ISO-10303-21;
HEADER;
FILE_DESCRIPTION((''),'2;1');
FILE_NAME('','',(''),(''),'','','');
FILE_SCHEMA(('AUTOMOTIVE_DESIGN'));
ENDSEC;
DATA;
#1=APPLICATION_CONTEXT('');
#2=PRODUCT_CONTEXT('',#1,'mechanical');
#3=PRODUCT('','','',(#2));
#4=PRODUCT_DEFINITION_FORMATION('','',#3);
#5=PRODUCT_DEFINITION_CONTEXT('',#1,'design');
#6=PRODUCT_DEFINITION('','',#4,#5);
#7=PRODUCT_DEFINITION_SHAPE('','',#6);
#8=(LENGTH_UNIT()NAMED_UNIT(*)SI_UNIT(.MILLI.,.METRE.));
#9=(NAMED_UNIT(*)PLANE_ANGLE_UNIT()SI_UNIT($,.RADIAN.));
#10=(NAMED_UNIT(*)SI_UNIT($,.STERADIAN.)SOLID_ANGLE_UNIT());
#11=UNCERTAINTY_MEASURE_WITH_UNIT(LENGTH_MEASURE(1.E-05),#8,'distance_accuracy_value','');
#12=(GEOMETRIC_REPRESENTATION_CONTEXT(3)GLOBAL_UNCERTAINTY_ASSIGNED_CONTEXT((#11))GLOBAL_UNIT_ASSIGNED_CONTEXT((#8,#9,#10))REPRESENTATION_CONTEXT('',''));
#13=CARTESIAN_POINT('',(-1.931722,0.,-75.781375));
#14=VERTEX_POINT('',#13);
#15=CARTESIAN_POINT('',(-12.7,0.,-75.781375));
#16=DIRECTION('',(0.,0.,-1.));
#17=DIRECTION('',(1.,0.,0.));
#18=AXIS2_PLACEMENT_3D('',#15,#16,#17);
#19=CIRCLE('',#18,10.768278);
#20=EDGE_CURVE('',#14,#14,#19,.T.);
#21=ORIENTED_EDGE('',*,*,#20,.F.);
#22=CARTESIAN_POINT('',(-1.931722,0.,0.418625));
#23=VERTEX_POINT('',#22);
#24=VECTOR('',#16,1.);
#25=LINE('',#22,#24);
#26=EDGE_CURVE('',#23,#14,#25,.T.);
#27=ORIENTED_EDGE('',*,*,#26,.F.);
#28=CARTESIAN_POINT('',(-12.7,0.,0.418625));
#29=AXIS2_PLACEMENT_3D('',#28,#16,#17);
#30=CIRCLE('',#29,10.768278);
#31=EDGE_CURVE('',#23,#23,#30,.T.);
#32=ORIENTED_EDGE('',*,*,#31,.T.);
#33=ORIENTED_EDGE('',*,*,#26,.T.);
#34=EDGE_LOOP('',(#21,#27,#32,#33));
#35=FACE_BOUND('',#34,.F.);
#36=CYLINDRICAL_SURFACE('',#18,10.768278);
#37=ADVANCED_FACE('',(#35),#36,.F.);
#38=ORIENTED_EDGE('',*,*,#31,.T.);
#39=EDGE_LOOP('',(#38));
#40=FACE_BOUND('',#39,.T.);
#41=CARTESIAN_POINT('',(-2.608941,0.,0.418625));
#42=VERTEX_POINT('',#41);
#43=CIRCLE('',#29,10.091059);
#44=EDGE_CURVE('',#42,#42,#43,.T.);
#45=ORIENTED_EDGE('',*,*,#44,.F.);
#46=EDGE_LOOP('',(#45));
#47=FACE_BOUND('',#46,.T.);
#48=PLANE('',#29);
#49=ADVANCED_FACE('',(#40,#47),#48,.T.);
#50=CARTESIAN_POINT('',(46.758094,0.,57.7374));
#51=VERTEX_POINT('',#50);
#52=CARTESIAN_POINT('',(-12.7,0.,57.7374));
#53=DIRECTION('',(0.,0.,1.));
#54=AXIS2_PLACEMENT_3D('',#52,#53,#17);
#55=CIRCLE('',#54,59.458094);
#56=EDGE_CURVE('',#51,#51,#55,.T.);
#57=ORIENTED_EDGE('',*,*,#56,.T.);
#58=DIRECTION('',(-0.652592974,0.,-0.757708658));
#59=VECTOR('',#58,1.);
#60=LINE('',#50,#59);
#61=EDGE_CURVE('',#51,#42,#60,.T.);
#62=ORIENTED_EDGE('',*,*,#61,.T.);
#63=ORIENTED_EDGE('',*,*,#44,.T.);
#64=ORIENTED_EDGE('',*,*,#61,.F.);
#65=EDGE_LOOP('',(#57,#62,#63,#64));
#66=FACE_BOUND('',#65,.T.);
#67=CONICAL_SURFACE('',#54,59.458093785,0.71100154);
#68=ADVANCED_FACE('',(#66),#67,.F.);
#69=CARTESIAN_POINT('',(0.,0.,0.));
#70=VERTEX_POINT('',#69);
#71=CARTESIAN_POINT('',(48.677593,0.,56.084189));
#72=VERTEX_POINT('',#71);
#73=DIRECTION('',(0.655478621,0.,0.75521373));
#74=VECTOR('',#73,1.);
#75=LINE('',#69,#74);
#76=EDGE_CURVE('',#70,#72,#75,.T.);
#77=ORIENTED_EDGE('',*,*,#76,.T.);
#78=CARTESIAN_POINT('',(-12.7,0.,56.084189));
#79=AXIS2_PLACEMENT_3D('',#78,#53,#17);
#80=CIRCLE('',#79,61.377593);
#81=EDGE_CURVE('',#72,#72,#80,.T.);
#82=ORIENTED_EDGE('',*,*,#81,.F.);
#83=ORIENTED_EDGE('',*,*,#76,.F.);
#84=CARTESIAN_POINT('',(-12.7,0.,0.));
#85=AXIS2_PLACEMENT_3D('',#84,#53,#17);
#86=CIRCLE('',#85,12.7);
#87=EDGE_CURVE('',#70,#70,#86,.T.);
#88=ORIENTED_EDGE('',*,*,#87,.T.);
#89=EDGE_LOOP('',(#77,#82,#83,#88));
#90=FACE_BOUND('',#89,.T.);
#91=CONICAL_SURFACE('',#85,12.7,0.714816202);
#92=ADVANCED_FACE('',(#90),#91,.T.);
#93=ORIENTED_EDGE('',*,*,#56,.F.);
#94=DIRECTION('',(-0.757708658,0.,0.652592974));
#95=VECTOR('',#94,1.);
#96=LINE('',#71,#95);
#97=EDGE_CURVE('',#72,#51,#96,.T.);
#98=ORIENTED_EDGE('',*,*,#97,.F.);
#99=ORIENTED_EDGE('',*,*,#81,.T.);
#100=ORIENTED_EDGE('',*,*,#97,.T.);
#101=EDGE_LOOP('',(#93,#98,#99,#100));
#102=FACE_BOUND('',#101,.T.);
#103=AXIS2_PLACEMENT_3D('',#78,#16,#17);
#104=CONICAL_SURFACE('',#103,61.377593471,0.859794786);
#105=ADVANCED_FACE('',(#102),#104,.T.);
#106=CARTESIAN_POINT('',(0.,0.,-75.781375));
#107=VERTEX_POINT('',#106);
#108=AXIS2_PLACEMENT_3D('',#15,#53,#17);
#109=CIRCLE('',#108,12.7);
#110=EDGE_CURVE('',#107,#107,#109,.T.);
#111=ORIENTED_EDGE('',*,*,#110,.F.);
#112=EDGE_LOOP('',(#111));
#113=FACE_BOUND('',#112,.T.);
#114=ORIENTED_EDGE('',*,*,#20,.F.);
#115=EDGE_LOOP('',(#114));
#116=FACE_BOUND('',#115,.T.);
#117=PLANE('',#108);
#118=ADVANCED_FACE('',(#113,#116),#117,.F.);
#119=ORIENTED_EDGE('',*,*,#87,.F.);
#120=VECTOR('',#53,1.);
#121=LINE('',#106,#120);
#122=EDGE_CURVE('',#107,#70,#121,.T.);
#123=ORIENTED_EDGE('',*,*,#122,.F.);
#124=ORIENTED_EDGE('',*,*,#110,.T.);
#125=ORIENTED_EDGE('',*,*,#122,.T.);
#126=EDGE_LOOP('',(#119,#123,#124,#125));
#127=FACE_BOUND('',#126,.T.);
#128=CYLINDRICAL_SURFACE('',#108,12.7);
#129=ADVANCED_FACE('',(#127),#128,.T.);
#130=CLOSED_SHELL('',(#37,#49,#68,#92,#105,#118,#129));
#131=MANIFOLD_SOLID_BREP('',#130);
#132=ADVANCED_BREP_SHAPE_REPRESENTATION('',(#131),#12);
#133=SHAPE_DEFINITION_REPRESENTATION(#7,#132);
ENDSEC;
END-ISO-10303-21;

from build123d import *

# Parameters (mm, degrees)
F2_R     = 10.7682779898
F3_DEPTH = 25.4
F4_DEPTH = 25.4
F5_DEPTH = 25.4


with BuildPart() as f1:
    # F0 (on Front) → F1 (revolve)
    with BuildSketch(Plane.XZ):
        Polygon((0, -75.7813751698), (0, 0), (48.6775934706, 56.0841891061), (46.7580937851, 57.7373997368), (-2.9694908299, 0), (-12.7, 0), (-12.7, -75.7813751698), align=None)
    revolve(axis=Axis((-12.7, 0, -37.8906875849), (0, 0, 1)))

    # F2 (on face) → F3 (cut)
    with BuildSketch(Plane(origin=(0, 0, -75.7813751698), x_dir=(1, 0, 0), z_dir=(0, 0, -1))):
        with Locations((-12.7, 0)):
            Circle(F2_R)
    extrude(amount=-F3_DEPTH, mode=Mode.SUBTRACT)

    # F4 (cut): a face of the model
    f4_faces = [f1.faces().sort_by_distance(p)[0] for p in [
        (-12.7, 0, -50.3813751698),
    ]]
    extrude(f4_faces, amount=-F4_DEPTH, mode=Mode.SUBTRACT)

    # F5 (cut): a face of the model
    f5_faces = [f1.faces().sort_by_distance(p)[0] for p in [
        (-12.7, 0, -24.9813751698),
    ]]
    extrude(f5_faces, amount=-F5_DEPTH, mode=Mode.SUBTRACT)


solid = f1.part
